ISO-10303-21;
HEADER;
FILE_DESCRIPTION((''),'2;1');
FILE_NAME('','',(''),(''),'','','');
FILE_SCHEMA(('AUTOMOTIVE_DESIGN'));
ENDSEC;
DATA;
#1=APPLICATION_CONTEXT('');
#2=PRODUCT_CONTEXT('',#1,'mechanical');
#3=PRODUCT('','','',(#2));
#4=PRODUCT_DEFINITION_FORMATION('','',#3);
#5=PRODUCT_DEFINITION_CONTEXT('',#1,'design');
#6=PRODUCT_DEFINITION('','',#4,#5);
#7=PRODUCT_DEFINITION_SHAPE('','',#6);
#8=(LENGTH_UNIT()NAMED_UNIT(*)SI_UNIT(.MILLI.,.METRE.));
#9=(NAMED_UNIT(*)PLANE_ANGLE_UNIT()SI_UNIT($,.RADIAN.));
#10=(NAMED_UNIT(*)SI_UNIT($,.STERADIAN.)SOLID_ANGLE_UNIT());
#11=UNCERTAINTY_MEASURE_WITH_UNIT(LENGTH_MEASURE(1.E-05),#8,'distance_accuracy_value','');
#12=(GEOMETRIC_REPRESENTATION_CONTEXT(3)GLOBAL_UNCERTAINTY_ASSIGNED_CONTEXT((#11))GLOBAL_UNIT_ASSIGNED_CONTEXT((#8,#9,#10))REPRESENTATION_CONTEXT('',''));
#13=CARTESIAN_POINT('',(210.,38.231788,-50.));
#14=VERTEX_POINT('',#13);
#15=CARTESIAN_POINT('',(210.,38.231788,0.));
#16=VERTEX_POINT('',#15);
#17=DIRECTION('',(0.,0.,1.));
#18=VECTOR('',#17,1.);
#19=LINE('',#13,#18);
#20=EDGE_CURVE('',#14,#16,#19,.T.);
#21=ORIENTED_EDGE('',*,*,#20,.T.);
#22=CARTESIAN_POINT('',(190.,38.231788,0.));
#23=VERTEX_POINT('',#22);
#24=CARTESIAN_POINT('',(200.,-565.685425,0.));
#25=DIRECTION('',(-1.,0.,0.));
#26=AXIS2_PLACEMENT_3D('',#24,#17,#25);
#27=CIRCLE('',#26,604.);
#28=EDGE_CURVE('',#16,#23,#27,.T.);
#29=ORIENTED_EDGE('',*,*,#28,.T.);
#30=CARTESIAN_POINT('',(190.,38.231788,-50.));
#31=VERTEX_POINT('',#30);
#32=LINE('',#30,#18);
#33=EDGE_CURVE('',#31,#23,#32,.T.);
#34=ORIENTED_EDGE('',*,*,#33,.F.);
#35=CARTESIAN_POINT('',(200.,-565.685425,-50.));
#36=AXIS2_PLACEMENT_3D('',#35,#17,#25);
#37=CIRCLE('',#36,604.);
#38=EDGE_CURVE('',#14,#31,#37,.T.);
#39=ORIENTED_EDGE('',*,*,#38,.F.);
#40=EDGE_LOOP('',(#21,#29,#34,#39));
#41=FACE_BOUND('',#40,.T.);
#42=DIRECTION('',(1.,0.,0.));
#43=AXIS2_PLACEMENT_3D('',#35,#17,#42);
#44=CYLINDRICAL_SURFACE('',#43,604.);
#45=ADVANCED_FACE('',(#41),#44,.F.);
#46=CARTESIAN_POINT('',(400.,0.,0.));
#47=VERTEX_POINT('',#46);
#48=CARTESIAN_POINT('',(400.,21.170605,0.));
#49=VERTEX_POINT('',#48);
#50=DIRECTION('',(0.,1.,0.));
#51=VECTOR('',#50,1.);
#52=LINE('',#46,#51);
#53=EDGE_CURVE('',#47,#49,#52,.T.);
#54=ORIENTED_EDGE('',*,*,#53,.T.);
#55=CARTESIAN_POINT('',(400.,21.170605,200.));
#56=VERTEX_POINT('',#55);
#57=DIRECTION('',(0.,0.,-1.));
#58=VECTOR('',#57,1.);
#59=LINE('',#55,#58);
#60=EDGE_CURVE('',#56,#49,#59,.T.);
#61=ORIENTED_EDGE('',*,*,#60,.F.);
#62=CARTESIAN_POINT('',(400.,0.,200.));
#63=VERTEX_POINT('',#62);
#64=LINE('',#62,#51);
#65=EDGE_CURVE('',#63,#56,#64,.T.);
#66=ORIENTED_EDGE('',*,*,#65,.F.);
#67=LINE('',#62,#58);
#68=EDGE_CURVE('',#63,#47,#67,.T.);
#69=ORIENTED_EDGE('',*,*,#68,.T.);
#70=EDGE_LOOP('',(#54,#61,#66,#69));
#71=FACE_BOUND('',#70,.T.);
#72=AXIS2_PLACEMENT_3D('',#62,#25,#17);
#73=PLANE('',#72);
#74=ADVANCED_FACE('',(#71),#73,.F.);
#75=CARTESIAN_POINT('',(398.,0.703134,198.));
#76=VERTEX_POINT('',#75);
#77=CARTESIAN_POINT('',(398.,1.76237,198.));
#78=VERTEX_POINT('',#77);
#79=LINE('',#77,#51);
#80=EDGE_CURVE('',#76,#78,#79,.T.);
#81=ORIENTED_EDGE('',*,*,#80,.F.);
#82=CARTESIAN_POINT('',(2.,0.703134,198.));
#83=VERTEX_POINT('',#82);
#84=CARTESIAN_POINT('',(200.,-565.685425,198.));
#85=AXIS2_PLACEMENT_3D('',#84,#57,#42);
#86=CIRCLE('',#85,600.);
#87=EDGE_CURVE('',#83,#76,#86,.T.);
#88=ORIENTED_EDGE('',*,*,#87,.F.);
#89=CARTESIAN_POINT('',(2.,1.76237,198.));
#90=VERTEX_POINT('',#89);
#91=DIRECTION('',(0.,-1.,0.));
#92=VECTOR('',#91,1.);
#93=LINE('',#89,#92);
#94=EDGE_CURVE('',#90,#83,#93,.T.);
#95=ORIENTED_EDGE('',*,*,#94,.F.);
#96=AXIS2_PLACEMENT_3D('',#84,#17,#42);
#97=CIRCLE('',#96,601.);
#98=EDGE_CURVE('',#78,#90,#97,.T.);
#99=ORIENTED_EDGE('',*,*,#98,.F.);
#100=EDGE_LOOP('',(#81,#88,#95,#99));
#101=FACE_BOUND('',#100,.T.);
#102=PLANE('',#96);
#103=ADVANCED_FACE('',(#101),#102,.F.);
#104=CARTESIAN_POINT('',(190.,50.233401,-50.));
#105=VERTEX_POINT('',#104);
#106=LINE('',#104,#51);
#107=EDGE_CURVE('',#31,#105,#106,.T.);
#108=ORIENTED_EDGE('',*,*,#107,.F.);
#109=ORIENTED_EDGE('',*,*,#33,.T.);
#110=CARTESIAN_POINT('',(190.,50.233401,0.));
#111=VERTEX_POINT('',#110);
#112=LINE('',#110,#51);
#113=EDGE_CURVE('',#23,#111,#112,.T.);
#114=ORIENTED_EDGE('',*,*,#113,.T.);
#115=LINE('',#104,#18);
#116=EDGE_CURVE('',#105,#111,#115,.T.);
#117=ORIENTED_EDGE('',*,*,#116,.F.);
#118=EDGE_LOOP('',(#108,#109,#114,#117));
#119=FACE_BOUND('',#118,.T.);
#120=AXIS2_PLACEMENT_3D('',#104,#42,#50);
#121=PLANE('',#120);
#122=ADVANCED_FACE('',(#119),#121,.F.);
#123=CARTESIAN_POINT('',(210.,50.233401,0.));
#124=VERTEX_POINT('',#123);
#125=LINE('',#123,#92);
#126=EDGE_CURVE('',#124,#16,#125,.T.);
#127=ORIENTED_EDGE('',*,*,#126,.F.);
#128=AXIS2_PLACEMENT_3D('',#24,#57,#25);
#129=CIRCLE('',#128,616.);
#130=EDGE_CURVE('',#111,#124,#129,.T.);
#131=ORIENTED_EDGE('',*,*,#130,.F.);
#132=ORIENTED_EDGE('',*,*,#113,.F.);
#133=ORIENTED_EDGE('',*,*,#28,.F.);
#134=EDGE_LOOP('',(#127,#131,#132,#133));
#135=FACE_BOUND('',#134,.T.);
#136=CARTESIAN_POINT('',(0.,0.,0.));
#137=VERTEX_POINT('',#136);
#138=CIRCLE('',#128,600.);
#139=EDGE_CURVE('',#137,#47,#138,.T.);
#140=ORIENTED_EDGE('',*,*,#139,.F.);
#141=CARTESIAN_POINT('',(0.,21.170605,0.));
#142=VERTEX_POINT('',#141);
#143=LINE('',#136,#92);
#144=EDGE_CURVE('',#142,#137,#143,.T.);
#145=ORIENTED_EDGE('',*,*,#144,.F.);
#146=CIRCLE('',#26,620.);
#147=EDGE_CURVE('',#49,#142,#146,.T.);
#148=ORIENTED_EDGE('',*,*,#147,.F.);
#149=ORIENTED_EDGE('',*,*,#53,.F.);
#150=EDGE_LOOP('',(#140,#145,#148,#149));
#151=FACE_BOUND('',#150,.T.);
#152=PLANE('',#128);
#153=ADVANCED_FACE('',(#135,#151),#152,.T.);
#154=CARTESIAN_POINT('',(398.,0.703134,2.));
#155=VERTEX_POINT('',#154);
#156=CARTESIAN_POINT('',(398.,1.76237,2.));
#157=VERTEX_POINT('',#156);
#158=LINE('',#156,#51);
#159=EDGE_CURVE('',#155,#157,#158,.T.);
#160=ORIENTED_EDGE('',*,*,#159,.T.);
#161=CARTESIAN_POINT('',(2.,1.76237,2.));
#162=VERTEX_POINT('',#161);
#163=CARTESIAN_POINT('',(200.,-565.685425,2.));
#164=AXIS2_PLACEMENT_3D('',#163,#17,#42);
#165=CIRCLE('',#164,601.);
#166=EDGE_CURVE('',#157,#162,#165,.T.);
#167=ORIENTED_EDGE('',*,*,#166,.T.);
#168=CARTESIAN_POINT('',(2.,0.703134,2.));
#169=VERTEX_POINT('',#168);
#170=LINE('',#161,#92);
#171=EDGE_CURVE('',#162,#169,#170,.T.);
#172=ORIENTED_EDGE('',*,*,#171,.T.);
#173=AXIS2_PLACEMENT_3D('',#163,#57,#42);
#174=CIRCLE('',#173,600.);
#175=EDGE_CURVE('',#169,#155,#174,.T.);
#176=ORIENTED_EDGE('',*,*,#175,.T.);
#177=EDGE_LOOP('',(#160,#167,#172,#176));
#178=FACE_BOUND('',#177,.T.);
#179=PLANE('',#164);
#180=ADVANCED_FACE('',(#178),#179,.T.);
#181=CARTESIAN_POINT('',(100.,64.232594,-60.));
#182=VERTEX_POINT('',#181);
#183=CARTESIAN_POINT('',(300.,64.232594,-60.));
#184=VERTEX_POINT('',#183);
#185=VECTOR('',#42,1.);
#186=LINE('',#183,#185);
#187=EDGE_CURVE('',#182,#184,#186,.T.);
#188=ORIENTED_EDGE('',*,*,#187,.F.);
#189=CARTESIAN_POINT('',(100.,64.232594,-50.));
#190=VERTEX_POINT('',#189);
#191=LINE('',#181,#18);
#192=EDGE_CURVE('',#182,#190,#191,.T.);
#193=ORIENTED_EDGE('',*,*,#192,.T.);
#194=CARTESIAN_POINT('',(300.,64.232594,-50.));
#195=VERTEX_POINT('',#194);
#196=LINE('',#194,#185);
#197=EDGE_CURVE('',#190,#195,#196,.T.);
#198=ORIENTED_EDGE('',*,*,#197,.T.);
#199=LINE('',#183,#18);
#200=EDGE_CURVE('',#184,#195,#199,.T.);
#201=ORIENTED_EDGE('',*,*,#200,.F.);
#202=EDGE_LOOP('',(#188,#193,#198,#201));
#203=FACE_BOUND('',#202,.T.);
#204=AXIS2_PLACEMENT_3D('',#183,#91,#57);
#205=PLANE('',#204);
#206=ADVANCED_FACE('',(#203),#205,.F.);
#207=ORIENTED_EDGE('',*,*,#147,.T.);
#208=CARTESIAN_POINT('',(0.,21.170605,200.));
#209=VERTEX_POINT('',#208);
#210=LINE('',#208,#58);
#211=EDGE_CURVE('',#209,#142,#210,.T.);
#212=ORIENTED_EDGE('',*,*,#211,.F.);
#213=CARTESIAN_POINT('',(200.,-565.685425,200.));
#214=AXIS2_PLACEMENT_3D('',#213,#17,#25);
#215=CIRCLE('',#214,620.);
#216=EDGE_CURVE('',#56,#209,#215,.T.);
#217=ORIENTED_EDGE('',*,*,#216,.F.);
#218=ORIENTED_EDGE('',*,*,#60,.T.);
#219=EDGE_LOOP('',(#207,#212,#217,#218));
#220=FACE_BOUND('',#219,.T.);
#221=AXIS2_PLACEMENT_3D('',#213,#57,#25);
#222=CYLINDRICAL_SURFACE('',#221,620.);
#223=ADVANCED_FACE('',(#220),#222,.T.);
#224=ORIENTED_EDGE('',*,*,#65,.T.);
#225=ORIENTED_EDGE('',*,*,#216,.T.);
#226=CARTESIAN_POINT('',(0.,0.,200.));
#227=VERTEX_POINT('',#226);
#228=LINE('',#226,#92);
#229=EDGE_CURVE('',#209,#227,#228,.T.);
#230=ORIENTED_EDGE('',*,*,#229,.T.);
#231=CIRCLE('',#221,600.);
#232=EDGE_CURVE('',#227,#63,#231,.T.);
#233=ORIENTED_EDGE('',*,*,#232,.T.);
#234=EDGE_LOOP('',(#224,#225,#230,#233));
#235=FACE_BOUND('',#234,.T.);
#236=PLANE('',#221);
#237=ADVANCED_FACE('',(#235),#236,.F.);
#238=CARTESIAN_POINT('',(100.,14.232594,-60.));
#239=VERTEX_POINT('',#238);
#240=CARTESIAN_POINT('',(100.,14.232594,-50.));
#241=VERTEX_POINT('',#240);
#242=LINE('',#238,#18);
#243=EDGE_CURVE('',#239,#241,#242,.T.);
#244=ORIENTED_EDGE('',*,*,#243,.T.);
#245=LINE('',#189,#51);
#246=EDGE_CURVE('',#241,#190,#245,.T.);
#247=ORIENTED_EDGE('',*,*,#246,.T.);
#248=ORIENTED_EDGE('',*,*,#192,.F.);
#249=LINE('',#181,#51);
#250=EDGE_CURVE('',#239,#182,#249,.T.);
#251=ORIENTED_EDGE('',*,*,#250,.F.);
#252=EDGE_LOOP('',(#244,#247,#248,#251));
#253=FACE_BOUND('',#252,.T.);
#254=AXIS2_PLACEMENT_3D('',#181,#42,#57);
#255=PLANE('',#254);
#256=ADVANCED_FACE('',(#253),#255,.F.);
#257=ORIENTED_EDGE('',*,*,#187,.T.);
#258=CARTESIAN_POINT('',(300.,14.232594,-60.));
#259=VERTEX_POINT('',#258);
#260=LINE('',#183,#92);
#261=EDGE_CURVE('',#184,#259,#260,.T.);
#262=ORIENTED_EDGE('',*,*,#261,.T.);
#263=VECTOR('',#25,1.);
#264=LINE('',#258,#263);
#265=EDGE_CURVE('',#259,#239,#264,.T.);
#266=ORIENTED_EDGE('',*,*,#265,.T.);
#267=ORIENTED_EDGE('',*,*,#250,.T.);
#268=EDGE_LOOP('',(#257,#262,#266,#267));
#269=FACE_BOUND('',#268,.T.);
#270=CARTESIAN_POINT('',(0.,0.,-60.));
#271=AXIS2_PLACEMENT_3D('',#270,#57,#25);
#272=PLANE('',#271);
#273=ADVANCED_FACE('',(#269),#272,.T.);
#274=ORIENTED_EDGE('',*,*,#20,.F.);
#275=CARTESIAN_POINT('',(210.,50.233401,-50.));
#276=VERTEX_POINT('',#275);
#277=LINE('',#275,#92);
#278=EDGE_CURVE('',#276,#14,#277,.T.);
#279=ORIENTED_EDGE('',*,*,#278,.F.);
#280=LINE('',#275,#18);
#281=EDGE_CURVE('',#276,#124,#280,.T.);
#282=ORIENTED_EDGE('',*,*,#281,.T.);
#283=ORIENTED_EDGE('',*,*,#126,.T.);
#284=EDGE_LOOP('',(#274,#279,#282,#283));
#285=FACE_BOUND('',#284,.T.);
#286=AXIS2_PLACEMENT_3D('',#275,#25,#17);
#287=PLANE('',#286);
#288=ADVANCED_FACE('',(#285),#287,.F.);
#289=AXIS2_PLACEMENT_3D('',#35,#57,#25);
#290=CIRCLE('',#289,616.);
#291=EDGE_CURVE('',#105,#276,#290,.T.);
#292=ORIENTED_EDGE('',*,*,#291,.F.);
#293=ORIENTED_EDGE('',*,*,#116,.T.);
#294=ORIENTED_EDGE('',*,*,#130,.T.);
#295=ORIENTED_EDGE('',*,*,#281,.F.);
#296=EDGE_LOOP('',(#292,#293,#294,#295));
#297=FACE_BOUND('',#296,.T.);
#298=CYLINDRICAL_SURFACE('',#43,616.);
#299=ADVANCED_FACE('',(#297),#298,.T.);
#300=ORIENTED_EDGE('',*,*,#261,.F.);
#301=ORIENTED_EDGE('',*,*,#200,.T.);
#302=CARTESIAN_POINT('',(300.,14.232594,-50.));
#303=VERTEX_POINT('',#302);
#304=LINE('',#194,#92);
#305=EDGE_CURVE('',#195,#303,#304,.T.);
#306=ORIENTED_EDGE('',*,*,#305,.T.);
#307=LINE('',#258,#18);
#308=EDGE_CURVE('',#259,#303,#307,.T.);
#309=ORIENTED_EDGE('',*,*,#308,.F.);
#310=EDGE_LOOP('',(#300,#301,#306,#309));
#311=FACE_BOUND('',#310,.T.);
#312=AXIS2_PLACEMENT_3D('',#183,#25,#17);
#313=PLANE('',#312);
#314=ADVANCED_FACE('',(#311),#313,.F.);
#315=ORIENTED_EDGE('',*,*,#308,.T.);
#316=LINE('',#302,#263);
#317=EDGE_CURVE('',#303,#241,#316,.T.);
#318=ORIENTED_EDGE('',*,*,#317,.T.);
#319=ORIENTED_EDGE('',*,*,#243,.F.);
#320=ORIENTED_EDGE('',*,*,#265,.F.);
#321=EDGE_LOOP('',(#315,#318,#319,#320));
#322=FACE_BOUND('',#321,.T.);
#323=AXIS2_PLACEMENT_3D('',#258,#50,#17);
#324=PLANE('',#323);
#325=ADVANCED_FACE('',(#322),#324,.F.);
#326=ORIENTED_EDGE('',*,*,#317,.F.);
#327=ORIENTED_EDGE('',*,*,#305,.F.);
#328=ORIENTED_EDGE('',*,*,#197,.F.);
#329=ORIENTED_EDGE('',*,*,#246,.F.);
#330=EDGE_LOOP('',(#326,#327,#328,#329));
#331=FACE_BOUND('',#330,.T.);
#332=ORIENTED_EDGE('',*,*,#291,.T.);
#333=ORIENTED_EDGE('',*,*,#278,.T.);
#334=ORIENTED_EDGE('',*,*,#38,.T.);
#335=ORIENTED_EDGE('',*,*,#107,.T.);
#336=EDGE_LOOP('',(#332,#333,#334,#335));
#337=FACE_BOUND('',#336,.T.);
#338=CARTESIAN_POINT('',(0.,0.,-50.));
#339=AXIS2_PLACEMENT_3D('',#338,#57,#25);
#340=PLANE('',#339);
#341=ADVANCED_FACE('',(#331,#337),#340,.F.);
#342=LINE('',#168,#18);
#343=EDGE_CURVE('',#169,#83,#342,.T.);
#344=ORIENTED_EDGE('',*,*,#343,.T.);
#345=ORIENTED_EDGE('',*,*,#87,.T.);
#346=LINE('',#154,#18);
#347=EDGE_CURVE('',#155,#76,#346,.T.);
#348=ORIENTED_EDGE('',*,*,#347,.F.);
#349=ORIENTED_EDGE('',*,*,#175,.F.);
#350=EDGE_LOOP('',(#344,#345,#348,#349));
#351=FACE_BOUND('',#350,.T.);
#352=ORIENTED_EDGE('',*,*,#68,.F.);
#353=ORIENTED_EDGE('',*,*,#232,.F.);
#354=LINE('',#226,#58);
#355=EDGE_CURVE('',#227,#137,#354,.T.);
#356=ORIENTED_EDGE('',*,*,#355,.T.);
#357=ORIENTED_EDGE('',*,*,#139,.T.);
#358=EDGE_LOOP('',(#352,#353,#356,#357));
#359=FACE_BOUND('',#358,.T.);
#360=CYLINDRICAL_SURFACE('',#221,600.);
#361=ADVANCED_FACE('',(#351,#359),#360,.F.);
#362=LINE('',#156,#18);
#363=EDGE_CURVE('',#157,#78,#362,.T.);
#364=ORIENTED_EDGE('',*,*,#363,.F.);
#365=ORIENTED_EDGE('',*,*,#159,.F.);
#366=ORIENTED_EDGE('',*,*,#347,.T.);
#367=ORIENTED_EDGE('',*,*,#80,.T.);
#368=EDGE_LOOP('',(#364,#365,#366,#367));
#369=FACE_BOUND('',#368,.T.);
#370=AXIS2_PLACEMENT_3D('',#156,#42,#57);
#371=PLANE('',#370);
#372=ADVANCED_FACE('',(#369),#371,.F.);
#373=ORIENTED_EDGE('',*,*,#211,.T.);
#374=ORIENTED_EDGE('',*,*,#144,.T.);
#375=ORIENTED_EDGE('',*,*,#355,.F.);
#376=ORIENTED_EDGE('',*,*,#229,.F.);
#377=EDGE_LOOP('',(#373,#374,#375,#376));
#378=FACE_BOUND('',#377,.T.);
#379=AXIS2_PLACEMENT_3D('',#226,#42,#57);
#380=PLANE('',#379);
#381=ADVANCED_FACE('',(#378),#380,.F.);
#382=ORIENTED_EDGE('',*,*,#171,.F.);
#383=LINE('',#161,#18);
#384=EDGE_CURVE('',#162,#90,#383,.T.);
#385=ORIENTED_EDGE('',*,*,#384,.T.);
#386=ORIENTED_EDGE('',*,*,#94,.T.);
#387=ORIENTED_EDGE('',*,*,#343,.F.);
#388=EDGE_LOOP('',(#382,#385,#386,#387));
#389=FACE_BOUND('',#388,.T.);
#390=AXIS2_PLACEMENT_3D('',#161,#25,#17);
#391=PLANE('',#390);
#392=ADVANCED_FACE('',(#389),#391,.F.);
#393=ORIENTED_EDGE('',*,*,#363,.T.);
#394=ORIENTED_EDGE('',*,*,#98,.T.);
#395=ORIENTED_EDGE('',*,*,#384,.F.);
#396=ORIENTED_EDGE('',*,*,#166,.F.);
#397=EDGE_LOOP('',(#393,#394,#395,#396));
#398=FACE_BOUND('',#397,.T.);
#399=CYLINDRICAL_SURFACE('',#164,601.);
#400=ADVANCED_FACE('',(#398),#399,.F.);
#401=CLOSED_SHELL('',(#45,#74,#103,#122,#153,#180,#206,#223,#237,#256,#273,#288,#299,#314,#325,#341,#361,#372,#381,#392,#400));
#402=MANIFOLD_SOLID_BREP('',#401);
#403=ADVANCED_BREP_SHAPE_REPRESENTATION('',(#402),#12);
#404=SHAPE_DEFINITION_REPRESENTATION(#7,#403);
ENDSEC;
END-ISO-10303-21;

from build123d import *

# Parameters (mm, degrees)
BOSS_EXTRUDE1_DEPTH = 200
CUT_EXTRUDE1_START  = -2
CUT_EXTRUDE1_DEPTH  = 196
BOSS_EXTRUDE3_DEPTH = 50
SKETCH6_W           = 200
SKETCH6_H           = 50
BOSS_EXTRUDE4_DEPTH = 10


with BuildPart() as part:
    # Sketch1 → Boss-Extrude1 (new body)
    with BuildSketch(Plane.XY):
        with BuildLine():
            Line((0, 0), (0, 21.170605096))
            ThreePointArc((0, 21.170605096), (200, 54.314575051), (400, 21.170605096))
            Line((400, 21.170605096), (400, 0))
            ThreePointArc((400, 0), (200, 34.314575051), (0, 0))
        make_face()
    extrude(amount=BOSS_EXTRUDE1_DEPTH)

    # Sketch3 → Cut-Extrude1 (cut)
    with BuildSketch(Plane.XY.offset(200).offset(CUT_EXTRUDE1_START)):
        with BuildLine():
            Line((2, 1.762370006), (2, 0.703134257))
            ThreePointArc((2, 0.703134257), (200, 34.314575051), (398, 0.703134257))
            Line((398, 0.703134257), (398, 1.762370006))
            ThreePointArc((398, 1.762370006), (200, 35.314575051), (2, 1.762370006))
        make_face()
    extrude(amount=-CUT_EXTRUDE1_DEPTH, mode=Mode.SUBTRACT)

    # Sketch5 → Boss-Extrude3 (add)
    with BuildSketch(Plane(origin=(0, 0, 0), x_dir=(-1, 0, 0), z_dir=(0, 0, -1))):
        with BuildLine():
            Line((-210, 50.233400871), (-210, 38.23178792))
            ThreePointArc((-210, 38.23178792), (-200, 38.314575051), (-190, 38.23178792))
            Line((-190, 38.23178792), (-190, 50.233400871))
            ThreePointArc((-190, 50.233400871), (-200, 50.314575051), (-210, 50.233400871))
        make_face()
    extrude(amount=BOSS_EXTRUDE3_DEPTH)

    # Sketch6 → Boss-Extrude4 (add)
    with BuildSketch(Plane(origin=(0, 0, -50), x_dir=(-1, 0, 0), z_dir=(0, 0, -1))):
        with Locations((-200, 39.232594396)):
            Rectangle(SKETCH6_W, SKETCH6_H)
    extrude(amount=BOSS_EXTRUDE4_DEPTH)


solid = part.part
